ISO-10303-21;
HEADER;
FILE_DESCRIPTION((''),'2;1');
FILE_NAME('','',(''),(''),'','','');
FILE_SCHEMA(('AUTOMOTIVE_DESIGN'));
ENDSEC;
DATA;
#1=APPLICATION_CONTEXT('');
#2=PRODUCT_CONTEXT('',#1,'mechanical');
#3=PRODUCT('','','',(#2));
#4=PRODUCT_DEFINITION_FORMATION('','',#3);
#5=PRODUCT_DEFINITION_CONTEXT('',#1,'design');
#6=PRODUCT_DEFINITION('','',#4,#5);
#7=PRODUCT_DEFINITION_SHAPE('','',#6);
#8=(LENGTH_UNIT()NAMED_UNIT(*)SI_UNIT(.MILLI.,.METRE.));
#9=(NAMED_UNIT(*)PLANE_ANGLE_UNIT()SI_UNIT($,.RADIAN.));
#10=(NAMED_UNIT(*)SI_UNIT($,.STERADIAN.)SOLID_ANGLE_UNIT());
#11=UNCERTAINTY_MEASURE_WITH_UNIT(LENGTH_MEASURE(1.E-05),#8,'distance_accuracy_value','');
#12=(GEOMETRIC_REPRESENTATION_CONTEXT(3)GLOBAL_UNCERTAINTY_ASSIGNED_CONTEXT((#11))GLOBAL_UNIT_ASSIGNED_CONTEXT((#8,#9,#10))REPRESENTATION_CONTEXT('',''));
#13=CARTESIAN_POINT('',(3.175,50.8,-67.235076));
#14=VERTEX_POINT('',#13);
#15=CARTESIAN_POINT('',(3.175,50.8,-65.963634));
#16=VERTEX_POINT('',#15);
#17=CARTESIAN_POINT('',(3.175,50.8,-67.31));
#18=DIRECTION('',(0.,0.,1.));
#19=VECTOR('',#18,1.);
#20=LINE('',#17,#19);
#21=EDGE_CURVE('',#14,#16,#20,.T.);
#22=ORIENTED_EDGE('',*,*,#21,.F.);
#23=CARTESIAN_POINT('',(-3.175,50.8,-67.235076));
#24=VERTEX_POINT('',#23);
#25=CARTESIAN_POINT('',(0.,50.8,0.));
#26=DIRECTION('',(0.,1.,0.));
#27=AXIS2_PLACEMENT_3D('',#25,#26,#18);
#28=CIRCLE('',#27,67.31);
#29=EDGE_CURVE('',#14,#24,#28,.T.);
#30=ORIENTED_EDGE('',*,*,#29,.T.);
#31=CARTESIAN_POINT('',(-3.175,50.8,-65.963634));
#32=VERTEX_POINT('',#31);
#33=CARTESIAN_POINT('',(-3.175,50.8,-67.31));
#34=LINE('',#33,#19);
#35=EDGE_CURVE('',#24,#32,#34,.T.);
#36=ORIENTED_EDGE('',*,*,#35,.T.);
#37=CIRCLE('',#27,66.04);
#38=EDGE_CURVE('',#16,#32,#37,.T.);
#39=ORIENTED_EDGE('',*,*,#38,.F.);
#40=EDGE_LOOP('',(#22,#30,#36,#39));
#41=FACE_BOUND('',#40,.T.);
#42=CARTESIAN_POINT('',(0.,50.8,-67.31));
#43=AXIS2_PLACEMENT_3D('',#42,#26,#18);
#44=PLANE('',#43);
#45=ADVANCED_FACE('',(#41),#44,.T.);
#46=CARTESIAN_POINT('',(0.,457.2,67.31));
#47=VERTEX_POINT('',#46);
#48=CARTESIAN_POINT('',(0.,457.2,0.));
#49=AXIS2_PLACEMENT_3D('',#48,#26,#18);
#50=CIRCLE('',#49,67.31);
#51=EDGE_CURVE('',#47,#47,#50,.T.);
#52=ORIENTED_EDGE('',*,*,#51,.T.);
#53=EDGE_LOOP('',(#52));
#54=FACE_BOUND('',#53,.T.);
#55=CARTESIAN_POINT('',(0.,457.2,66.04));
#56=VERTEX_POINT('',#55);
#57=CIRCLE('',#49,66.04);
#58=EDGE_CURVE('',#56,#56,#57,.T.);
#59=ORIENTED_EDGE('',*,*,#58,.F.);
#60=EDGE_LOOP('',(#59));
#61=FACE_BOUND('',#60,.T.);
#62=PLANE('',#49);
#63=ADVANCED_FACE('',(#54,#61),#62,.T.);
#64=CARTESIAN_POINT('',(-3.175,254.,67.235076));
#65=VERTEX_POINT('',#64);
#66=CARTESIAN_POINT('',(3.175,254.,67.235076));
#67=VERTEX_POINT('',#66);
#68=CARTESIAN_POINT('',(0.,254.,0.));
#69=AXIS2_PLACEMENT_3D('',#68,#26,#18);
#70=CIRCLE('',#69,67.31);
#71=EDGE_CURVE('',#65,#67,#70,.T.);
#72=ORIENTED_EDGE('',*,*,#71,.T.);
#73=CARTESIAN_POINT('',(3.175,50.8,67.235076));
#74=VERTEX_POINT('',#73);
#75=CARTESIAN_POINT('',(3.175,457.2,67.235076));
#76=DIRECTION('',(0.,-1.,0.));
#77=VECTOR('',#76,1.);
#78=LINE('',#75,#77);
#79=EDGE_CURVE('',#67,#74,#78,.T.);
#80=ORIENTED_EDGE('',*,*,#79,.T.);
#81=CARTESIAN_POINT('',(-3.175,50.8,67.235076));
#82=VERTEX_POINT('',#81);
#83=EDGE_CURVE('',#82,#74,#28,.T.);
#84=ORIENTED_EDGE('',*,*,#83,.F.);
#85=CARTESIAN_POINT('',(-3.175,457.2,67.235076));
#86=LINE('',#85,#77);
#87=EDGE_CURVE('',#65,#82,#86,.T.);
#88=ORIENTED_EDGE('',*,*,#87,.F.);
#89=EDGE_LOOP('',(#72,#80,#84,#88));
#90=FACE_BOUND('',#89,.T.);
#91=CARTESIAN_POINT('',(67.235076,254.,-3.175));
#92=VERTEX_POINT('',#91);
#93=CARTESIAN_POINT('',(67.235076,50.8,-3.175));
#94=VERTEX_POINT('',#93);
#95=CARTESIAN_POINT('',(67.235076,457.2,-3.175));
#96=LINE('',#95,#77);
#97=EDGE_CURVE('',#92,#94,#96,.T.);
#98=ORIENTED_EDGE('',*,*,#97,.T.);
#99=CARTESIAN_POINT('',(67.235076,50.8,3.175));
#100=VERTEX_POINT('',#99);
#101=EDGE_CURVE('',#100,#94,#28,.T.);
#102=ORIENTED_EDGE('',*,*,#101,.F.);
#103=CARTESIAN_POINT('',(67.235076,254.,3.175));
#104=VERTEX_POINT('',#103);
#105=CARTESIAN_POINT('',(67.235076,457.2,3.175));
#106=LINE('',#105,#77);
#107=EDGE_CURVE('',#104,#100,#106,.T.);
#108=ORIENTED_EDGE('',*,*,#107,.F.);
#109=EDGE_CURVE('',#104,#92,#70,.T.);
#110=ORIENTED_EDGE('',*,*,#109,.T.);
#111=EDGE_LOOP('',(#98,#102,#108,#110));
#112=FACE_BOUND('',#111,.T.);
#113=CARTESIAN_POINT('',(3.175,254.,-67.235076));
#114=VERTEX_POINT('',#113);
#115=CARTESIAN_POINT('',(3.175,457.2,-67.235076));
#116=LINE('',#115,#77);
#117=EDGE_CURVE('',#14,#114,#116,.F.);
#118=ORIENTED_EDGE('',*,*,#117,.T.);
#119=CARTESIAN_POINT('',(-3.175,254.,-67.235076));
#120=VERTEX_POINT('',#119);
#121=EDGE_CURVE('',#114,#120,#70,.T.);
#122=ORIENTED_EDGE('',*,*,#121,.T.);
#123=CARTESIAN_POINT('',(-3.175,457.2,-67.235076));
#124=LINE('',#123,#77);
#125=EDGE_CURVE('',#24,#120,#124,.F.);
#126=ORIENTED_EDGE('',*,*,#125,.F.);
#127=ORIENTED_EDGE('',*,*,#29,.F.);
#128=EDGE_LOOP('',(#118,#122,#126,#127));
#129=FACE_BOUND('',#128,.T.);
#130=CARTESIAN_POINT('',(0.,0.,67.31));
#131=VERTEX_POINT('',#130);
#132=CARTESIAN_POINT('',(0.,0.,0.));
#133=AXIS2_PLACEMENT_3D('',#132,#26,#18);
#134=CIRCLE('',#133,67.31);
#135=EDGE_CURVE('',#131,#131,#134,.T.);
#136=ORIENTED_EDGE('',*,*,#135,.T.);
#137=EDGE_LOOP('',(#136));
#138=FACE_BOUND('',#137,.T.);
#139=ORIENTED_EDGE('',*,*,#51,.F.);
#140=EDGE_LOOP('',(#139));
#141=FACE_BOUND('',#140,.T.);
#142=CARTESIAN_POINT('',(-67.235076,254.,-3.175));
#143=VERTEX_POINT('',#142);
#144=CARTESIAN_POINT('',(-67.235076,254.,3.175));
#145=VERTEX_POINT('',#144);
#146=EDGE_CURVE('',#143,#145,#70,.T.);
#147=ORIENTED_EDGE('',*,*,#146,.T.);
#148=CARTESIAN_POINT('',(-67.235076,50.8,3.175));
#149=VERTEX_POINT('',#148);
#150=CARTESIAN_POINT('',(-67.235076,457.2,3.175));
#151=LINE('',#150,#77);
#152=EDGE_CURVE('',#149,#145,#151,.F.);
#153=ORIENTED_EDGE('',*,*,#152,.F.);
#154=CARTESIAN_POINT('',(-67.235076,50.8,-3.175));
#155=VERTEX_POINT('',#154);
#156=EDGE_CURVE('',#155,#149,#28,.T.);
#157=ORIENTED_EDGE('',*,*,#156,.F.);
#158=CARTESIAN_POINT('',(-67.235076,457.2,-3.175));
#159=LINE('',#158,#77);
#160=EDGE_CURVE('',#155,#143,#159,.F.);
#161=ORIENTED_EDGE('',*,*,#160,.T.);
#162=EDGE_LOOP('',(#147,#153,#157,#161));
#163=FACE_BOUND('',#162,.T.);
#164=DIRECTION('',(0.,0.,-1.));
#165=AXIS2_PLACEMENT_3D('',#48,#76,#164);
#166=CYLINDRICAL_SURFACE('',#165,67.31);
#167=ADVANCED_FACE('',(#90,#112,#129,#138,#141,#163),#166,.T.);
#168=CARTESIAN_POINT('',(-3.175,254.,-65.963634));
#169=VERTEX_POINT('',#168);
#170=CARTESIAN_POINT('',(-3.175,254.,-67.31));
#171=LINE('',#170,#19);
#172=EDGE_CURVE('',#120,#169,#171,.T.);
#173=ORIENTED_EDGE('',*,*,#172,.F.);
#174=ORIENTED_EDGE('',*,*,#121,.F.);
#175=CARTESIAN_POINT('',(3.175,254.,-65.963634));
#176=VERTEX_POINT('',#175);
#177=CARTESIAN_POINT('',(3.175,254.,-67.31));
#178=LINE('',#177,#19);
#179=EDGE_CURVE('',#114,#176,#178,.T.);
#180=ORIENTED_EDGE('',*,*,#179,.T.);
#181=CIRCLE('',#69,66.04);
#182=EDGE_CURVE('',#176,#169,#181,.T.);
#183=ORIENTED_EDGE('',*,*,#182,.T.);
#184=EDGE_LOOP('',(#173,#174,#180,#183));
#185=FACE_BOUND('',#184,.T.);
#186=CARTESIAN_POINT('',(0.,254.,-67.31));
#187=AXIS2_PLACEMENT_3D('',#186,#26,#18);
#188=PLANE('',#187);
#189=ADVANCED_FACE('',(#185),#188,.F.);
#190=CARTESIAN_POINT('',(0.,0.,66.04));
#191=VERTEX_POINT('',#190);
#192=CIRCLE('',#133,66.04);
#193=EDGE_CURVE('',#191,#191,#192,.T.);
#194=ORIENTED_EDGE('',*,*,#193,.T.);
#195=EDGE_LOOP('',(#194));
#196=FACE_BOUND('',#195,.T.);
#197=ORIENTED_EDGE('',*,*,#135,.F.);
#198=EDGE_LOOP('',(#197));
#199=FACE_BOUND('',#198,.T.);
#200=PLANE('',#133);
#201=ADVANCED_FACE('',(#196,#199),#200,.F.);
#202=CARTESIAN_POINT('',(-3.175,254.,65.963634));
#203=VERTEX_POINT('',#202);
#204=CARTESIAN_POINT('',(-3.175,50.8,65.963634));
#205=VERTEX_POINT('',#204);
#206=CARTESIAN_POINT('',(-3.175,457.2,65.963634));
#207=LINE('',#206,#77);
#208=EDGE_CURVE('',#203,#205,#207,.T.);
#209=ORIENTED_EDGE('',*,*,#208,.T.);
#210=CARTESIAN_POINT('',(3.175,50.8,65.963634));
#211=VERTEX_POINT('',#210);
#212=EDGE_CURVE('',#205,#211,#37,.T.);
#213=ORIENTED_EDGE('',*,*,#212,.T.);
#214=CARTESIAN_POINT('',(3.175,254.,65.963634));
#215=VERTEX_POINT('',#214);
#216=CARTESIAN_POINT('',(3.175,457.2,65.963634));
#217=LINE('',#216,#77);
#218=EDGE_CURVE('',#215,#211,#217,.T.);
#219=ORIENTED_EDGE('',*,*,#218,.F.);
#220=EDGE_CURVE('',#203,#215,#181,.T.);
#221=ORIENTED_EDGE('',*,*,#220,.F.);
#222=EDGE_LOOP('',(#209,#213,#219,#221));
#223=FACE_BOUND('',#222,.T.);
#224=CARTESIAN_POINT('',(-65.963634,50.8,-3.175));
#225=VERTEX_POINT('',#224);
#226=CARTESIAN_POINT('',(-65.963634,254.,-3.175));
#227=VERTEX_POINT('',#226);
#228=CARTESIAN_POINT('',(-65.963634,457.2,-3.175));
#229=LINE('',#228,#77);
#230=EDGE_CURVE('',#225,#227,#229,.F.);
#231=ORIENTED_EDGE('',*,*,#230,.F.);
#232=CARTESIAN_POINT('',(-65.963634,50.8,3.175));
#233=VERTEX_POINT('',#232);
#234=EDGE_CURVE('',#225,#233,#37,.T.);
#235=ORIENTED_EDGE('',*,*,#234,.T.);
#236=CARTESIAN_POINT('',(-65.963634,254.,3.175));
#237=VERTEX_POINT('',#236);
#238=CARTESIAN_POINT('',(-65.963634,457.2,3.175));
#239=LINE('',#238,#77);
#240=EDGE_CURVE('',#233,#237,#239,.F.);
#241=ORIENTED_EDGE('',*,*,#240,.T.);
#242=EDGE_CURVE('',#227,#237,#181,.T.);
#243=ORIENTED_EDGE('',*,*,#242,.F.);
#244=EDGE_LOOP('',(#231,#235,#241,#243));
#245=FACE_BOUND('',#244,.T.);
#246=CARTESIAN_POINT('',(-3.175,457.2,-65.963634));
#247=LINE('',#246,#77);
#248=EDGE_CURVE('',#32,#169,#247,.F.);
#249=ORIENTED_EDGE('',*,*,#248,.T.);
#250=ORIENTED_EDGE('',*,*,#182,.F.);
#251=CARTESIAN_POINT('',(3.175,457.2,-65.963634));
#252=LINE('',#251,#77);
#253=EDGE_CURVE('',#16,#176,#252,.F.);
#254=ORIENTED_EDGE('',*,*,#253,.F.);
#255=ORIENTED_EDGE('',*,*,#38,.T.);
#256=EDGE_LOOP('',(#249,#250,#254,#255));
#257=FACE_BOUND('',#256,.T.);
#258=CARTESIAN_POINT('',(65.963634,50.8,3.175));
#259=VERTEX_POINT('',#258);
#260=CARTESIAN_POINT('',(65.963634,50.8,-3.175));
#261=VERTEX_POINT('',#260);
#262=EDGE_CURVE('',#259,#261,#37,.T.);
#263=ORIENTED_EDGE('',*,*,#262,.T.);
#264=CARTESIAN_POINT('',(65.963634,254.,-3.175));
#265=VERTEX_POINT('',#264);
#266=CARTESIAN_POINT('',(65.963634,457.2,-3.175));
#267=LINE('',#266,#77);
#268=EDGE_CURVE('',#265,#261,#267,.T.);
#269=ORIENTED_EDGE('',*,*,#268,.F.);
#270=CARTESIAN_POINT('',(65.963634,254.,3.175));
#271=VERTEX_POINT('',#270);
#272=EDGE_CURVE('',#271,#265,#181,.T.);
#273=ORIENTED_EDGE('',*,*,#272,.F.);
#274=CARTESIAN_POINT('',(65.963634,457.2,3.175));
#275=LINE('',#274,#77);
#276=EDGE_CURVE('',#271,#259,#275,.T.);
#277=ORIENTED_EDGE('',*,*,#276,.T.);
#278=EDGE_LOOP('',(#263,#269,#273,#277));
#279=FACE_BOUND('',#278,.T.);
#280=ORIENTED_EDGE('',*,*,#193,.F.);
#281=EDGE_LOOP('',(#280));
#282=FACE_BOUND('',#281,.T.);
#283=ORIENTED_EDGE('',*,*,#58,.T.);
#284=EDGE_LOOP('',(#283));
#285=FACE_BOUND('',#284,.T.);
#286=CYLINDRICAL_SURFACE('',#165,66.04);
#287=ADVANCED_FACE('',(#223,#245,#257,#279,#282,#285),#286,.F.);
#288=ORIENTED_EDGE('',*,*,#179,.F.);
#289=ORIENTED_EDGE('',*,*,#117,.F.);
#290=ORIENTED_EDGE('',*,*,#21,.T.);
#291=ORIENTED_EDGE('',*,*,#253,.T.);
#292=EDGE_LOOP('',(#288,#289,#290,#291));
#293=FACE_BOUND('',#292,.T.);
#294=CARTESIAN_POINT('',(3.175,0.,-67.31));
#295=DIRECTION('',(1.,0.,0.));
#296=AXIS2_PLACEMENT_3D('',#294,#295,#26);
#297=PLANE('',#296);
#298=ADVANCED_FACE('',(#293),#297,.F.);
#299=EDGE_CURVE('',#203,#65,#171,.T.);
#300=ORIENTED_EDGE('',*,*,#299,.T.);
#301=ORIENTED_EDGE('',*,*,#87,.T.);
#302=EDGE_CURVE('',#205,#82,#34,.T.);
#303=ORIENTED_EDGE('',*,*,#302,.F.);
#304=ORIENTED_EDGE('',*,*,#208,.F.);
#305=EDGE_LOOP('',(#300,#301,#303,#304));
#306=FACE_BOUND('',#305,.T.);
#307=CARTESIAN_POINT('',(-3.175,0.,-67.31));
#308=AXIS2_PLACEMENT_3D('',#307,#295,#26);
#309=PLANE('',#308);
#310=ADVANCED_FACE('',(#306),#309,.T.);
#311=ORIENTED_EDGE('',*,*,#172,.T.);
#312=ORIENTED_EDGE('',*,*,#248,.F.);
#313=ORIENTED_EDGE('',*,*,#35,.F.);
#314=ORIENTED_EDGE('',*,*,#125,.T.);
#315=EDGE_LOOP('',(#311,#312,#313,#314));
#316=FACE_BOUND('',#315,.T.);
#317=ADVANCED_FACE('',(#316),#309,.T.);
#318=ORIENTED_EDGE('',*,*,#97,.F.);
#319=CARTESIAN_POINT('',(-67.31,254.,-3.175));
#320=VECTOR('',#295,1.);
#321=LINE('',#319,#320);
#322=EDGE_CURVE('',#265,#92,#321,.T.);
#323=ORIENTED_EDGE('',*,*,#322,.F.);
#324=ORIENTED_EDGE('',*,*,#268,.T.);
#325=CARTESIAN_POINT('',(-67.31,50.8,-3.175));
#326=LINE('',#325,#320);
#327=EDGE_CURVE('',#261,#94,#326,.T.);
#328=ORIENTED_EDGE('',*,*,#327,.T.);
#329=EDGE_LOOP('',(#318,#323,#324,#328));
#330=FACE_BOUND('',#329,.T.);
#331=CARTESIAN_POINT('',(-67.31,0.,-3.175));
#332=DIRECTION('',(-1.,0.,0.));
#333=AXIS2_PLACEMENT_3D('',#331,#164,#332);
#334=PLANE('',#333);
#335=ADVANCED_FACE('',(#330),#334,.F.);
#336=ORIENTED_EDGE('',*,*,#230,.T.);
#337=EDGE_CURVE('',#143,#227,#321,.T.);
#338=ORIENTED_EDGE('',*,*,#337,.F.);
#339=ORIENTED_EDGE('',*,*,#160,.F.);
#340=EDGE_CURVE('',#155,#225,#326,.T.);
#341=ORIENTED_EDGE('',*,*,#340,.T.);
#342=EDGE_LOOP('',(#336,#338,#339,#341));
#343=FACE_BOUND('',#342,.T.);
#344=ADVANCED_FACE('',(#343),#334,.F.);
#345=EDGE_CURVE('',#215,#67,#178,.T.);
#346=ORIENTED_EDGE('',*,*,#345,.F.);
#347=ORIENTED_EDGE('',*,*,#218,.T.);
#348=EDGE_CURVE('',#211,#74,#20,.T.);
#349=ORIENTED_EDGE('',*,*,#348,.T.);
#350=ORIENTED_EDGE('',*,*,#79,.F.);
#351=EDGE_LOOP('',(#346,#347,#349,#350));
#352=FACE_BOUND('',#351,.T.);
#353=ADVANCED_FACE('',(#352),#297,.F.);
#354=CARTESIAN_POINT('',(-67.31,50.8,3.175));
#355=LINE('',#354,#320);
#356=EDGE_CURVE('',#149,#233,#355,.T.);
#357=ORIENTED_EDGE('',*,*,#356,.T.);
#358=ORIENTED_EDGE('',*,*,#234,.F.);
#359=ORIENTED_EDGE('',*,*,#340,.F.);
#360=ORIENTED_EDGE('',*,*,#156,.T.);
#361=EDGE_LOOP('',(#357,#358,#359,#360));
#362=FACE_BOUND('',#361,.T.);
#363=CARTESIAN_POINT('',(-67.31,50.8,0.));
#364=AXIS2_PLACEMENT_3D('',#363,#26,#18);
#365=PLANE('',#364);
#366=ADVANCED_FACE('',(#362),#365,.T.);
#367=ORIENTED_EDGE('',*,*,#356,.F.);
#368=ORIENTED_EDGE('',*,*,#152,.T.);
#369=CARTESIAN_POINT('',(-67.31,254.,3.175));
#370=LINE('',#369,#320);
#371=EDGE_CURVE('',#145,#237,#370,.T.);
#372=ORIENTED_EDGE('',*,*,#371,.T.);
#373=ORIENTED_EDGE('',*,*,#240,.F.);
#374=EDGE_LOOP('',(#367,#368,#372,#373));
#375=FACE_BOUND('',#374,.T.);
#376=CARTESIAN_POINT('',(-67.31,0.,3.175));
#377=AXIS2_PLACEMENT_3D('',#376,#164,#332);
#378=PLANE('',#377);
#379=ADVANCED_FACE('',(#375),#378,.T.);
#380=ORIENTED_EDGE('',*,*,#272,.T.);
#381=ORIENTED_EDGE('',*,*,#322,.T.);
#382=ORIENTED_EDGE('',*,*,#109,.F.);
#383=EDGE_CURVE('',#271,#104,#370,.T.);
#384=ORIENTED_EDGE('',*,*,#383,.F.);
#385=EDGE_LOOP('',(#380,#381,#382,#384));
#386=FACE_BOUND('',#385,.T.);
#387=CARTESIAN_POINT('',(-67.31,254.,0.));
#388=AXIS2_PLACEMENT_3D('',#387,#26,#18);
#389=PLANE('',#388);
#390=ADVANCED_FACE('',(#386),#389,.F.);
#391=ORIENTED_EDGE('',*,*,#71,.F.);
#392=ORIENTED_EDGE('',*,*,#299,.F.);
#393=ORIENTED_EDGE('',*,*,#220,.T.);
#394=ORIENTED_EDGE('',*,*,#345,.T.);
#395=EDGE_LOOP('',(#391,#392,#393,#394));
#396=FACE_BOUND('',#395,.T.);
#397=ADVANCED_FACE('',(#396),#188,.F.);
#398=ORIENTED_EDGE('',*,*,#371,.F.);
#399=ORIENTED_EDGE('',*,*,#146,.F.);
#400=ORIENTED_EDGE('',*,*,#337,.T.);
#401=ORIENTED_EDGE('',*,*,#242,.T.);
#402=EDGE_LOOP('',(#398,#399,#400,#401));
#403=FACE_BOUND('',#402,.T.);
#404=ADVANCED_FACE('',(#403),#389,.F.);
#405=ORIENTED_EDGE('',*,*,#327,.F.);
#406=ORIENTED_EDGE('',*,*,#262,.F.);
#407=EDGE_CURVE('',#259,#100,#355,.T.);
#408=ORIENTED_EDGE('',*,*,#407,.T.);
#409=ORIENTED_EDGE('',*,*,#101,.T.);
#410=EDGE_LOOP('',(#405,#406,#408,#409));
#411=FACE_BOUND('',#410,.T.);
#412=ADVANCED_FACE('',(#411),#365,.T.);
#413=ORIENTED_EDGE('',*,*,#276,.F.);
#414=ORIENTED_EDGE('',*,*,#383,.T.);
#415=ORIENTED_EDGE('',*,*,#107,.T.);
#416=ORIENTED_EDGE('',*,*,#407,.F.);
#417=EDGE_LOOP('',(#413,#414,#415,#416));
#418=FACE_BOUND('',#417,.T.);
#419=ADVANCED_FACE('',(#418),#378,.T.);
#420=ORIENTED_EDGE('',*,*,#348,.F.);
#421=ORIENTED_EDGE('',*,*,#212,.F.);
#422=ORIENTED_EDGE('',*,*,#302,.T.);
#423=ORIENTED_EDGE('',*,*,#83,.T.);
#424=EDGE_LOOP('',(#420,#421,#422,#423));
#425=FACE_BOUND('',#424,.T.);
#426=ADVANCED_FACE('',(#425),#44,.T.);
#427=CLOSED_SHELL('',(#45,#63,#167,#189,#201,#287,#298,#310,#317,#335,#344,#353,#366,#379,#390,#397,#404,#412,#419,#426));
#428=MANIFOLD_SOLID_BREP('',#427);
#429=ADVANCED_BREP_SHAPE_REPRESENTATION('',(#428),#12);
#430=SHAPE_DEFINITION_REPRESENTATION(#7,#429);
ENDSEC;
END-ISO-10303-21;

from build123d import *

# Parameters (mm, degrees)
SKETCH1_R           = 67.31
SKETCH1_R_2         = 66.04
BOSS_EXTRUDE1_DEPTH = 457.2
SKETCH3_W           = 6.35
SKETCH3_H           = 203.2
CUT_EXTRUDE1_DEPTH  = 68.31
CIRPATTERN1_COUNT   = 4


with BuildPart() as part:
    # Sketch1 → Boss-Extrude1 (new body)
    with BuildSketch(Plane(origin=(0, 0, 0), x_dir=(1, 0, 0), z_dir=(0, 1, 0))):
        Circle(SKETCH1_R)
        Circle(SKETCH1_R_2, mode=Mode.SUBTRACT)
    extrude(amount=BOSS_EXTRUDE1_DEPTH)

    # Sketch3 → Cut-Extrude1 (cut, symmetric)
    with BuildSketch(Plane.XY):
        with Locations((0, 152.4)):
            Rectangle(SKETCH3_W, SKETCH3_H)
    cut_extrude1 = extrude(amount=CUT_EXTRUDE1_DEPTH, both=True, mode=Mode.SUBTRACT)

    # CirPattern1: Cut-Extrude1 ×4 about axis
    cirpattern1_axis = Axis((0, 0, 0), (0, 1, 0))
    for i in range(1, CIRPATTERN1_COUNT):
        add(cut_extrude1.rotate(cirpattern1_axis, i * 360 / CIRPATTERN1_COUNT), mode=Mode.SUBTRACT)


solid = part.part
